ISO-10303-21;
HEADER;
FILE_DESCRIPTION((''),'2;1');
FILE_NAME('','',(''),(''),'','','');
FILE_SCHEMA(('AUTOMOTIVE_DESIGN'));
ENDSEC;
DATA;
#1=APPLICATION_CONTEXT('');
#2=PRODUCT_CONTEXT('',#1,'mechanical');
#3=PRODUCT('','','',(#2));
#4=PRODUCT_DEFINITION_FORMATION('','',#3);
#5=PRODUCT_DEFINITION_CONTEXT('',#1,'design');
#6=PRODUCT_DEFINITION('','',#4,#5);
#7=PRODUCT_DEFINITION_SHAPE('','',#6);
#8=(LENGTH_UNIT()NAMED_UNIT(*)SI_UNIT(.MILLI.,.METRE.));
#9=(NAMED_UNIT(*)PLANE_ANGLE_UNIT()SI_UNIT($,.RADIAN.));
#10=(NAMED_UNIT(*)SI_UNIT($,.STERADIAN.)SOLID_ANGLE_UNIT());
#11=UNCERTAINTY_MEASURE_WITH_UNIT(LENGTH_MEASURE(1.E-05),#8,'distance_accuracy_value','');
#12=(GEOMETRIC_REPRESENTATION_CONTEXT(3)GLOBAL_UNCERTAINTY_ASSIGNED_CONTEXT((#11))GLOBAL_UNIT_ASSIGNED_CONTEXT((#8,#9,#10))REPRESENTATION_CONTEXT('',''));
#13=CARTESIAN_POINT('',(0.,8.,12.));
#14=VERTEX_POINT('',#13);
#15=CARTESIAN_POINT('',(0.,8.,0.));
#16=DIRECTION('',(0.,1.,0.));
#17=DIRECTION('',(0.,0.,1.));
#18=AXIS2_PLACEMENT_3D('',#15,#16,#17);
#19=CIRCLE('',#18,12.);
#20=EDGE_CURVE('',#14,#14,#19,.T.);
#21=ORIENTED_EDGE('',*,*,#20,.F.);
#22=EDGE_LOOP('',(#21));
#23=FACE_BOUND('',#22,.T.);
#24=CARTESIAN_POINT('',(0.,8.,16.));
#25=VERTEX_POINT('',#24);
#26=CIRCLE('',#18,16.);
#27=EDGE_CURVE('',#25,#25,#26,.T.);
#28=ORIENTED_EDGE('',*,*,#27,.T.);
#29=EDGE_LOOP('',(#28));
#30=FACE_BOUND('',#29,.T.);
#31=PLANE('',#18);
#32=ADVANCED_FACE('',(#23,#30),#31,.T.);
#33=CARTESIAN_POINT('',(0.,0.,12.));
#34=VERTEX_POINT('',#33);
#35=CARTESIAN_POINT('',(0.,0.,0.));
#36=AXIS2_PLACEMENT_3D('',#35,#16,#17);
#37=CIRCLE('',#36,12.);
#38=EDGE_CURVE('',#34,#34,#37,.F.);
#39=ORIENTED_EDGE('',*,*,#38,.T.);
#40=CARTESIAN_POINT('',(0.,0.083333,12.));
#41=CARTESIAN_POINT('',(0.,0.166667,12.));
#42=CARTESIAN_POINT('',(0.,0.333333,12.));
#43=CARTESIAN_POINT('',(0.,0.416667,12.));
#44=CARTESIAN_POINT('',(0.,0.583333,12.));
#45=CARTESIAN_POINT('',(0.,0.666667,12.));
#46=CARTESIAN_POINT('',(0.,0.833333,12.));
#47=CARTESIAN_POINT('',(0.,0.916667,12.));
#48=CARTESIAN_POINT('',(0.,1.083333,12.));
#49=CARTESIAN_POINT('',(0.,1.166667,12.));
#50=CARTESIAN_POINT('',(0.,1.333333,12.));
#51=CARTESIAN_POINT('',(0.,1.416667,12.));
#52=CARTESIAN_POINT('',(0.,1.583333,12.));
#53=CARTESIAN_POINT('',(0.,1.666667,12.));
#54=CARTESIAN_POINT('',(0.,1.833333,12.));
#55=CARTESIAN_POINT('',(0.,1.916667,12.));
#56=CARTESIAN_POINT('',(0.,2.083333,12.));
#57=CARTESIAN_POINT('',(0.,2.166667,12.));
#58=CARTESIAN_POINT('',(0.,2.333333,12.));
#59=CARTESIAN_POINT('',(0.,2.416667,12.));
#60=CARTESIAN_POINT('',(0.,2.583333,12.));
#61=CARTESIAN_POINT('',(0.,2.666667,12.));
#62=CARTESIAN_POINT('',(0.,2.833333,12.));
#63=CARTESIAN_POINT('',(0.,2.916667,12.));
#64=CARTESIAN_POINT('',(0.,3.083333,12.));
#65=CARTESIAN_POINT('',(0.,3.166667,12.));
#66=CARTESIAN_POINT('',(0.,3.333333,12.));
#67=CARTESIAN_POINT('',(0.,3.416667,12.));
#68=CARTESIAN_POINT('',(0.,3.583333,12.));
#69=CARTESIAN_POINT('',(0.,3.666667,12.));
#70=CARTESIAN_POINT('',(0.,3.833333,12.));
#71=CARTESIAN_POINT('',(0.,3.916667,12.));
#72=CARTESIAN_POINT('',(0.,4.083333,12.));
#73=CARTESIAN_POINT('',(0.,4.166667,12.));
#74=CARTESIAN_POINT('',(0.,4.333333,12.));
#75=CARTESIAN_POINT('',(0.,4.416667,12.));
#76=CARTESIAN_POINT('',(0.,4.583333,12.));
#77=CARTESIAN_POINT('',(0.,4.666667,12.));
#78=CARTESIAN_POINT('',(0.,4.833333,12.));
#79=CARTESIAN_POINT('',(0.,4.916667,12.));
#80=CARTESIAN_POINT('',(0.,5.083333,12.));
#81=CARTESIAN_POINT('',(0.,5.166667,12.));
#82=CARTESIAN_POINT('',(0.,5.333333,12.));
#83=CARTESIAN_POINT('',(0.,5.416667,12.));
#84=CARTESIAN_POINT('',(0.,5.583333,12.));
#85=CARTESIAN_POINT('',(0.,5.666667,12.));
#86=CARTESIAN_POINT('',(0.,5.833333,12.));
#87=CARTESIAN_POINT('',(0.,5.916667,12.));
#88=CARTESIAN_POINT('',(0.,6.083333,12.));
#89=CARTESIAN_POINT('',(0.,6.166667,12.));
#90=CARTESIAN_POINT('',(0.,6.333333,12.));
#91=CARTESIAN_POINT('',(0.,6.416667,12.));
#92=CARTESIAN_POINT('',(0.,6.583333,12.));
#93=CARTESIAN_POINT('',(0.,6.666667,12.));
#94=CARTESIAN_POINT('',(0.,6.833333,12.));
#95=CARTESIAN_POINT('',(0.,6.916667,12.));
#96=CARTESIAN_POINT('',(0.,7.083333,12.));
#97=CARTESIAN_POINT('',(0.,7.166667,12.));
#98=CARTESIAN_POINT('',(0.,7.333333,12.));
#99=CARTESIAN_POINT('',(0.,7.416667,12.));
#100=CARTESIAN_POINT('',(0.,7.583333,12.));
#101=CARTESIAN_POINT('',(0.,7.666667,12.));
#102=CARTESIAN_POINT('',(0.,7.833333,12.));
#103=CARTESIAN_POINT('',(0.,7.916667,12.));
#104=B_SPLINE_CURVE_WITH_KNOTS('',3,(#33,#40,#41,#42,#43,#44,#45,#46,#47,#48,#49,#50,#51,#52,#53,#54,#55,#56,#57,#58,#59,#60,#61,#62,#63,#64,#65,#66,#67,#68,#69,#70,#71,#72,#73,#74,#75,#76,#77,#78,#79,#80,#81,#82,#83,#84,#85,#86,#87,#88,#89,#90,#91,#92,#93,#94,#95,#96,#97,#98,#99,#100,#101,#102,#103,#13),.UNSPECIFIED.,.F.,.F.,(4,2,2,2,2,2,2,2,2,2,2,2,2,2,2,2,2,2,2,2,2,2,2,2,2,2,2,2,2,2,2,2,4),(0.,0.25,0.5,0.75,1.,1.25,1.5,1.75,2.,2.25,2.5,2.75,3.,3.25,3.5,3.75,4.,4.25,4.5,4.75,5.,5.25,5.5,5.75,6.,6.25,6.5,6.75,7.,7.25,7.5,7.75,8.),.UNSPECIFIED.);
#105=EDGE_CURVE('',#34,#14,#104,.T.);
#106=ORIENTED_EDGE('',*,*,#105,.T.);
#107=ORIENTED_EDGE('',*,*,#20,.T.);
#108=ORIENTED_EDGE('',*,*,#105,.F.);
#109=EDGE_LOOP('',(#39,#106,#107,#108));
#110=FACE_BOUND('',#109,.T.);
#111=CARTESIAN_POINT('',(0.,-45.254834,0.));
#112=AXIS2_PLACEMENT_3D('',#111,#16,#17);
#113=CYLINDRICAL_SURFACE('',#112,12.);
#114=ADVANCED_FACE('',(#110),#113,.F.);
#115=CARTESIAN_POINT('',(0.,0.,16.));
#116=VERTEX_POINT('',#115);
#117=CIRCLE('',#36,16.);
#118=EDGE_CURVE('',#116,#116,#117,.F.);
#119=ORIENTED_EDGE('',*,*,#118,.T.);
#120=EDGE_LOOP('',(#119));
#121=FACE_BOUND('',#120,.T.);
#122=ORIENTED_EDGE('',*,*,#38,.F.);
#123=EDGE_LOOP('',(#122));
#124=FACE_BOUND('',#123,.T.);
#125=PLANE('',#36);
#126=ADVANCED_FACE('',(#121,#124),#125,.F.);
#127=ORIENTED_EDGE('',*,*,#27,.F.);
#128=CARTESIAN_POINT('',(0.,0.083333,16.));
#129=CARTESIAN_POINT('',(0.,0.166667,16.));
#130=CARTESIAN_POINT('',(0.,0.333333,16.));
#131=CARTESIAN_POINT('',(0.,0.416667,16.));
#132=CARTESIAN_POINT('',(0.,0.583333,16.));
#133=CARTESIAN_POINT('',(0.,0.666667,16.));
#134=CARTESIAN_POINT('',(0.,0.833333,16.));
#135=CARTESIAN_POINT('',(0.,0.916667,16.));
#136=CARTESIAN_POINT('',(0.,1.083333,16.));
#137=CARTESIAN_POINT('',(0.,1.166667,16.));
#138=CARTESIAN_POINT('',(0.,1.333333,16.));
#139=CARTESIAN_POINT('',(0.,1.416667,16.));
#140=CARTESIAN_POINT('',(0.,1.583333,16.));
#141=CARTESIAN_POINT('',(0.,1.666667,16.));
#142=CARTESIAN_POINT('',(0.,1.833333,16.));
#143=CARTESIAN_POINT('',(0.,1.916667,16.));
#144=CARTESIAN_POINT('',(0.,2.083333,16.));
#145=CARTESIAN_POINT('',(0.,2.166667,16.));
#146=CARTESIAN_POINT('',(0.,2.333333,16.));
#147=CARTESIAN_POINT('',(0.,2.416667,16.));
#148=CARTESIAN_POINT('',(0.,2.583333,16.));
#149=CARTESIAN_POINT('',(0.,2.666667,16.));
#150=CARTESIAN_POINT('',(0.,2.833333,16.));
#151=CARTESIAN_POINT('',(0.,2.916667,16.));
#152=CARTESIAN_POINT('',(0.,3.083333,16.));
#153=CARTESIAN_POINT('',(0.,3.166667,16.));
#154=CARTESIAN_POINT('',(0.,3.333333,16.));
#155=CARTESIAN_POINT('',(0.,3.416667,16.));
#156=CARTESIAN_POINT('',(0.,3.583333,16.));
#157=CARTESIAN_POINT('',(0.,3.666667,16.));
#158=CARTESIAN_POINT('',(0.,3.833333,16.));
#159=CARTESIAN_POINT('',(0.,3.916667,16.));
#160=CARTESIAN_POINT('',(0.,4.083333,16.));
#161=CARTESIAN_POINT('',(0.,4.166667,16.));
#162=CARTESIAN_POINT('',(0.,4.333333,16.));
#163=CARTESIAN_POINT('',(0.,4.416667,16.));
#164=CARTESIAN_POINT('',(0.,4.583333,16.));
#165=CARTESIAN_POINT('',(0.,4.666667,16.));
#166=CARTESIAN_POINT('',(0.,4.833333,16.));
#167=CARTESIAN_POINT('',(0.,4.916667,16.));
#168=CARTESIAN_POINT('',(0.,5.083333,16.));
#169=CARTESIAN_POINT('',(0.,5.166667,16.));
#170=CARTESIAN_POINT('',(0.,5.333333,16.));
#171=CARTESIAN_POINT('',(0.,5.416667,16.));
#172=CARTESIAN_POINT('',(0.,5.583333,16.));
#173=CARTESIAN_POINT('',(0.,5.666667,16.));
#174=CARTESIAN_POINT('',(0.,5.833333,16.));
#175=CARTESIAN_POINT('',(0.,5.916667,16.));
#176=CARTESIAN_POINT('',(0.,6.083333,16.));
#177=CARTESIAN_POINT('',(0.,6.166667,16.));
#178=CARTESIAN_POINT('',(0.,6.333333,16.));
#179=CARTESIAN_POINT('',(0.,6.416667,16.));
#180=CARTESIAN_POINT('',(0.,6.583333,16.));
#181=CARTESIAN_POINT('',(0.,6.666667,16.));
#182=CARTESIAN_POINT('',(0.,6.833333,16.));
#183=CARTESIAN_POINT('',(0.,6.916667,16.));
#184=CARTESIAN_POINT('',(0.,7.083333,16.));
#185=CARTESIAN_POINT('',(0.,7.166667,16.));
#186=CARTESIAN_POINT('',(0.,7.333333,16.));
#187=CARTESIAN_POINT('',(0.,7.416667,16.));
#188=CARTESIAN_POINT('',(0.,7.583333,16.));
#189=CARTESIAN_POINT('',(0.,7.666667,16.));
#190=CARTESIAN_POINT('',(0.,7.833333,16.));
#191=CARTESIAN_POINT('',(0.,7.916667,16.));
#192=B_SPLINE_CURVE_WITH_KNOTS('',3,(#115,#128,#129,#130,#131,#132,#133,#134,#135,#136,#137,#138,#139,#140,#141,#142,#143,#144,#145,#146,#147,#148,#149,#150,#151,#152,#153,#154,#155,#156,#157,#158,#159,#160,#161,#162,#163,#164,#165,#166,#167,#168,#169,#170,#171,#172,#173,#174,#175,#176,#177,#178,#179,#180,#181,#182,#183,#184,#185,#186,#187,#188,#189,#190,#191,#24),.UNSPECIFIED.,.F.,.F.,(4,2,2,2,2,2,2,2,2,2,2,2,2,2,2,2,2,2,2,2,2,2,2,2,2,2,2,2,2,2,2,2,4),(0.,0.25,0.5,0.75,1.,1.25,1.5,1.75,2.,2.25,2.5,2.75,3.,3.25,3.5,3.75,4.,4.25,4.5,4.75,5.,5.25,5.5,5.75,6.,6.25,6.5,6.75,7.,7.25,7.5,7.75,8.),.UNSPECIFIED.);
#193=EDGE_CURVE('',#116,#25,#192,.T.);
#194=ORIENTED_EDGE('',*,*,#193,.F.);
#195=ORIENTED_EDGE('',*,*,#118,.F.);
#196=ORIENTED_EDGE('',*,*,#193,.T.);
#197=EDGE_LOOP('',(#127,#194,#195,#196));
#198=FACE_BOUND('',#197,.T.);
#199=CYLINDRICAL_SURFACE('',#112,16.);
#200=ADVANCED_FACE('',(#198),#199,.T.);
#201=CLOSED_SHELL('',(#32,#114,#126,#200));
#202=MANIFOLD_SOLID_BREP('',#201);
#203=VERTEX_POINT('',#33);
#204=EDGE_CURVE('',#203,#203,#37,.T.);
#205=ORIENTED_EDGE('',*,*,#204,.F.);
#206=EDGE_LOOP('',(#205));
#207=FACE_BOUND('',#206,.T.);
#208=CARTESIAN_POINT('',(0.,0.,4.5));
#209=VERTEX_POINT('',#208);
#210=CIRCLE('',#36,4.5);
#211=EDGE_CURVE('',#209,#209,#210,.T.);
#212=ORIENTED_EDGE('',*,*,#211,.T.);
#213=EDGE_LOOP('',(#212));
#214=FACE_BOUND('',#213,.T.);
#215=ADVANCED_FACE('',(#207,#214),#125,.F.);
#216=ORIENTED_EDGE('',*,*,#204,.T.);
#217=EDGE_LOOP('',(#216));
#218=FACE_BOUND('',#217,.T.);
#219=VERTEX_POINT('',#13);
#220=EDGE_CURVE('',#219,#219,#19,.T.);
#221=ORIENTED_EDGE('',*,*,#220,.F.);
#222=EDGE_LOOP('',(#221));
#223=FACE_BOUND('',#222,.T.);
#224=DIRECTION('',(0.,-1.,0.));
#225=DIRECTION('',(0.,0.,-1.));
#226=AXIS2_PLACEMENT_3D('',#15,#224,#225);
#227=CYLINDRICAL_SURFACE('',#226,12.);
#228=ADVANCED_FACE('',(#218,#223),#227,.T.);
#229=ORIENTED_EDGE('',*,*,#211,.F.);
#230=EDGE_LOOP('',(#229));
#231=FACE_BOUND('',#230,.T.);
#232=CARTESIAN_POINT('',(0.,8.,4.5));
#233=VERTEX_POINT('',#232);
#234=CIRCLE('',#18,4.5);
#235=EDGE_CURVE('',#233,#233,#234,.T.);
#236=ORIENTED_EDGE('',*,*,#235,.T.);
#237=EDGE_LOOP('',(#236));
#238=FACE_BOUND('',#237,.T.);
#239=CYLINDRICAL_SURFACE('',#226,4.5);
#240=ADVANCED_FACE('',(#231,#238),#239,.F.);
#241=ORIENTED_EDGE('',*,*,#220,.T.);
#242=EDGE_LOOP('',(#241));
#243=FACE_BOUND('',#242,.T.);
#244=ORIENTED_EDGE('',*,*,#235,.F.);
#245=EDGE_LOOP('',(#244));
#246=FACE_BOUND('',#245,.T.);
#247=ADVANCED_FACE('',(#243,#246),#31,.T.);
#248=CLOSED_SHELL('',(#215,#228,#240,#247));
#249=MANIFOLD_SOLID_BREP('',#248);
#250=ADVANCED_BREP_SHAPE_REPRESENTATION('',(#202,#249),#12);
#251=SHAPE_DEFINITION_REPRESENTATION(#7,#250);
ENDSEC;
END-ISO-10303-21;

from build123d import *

# Parameters (mm, degrees)
SKETCH_1_R      = 12
SKETCH_1_R_2    = 4.5
EXTRUDE_1_DEPTH = 8
SKETCH_2_R      = 16
SKETCH_2_R_2    = 12
EXTRUDE_2_DEPTH = 8


with BuildPart() as part:
    # 草图1 → 凸台-拉伸1 (new body)
    with BuildSketch(Plane(origin=(0, 0, 0), x_dir=(1, 0, 0), z_dir=(0, 1, 0))):
        with Locations(Location((0, 0, 0), (0, 0, 270))):
            Circle(SKETCH_1_R)
        with Locations(Location((0, 0, 0), (0, 0, 270))):
            Circle(SKETCH_1_R_2, mode=Mode.SUBTRACT)
    extrude(amount=EXTRUDE_1_DEPTH)


with BuildPart() as body_2:
    # 草图2 → 凸台-拉伸2 (new body)
    with BuildSketch(Plane(origin=(0, 8, 0), x_dir=(1, 0, 0), z_dir=(0, 1, 0))):
        with Locations(Location((0, 0, 0), (0, 0, 270))):
            Circle(SKETCH_2_R)
        with Locations(Location((0, 0, 0), (0, 0, 270))):
            Circle(SKETCH_2_R_2, mode=Mode.SUBTRACT)
    extrude(amount=-EXTRUDE_2_DEPTH)


solid = Compound([part.part, body_2.part])
